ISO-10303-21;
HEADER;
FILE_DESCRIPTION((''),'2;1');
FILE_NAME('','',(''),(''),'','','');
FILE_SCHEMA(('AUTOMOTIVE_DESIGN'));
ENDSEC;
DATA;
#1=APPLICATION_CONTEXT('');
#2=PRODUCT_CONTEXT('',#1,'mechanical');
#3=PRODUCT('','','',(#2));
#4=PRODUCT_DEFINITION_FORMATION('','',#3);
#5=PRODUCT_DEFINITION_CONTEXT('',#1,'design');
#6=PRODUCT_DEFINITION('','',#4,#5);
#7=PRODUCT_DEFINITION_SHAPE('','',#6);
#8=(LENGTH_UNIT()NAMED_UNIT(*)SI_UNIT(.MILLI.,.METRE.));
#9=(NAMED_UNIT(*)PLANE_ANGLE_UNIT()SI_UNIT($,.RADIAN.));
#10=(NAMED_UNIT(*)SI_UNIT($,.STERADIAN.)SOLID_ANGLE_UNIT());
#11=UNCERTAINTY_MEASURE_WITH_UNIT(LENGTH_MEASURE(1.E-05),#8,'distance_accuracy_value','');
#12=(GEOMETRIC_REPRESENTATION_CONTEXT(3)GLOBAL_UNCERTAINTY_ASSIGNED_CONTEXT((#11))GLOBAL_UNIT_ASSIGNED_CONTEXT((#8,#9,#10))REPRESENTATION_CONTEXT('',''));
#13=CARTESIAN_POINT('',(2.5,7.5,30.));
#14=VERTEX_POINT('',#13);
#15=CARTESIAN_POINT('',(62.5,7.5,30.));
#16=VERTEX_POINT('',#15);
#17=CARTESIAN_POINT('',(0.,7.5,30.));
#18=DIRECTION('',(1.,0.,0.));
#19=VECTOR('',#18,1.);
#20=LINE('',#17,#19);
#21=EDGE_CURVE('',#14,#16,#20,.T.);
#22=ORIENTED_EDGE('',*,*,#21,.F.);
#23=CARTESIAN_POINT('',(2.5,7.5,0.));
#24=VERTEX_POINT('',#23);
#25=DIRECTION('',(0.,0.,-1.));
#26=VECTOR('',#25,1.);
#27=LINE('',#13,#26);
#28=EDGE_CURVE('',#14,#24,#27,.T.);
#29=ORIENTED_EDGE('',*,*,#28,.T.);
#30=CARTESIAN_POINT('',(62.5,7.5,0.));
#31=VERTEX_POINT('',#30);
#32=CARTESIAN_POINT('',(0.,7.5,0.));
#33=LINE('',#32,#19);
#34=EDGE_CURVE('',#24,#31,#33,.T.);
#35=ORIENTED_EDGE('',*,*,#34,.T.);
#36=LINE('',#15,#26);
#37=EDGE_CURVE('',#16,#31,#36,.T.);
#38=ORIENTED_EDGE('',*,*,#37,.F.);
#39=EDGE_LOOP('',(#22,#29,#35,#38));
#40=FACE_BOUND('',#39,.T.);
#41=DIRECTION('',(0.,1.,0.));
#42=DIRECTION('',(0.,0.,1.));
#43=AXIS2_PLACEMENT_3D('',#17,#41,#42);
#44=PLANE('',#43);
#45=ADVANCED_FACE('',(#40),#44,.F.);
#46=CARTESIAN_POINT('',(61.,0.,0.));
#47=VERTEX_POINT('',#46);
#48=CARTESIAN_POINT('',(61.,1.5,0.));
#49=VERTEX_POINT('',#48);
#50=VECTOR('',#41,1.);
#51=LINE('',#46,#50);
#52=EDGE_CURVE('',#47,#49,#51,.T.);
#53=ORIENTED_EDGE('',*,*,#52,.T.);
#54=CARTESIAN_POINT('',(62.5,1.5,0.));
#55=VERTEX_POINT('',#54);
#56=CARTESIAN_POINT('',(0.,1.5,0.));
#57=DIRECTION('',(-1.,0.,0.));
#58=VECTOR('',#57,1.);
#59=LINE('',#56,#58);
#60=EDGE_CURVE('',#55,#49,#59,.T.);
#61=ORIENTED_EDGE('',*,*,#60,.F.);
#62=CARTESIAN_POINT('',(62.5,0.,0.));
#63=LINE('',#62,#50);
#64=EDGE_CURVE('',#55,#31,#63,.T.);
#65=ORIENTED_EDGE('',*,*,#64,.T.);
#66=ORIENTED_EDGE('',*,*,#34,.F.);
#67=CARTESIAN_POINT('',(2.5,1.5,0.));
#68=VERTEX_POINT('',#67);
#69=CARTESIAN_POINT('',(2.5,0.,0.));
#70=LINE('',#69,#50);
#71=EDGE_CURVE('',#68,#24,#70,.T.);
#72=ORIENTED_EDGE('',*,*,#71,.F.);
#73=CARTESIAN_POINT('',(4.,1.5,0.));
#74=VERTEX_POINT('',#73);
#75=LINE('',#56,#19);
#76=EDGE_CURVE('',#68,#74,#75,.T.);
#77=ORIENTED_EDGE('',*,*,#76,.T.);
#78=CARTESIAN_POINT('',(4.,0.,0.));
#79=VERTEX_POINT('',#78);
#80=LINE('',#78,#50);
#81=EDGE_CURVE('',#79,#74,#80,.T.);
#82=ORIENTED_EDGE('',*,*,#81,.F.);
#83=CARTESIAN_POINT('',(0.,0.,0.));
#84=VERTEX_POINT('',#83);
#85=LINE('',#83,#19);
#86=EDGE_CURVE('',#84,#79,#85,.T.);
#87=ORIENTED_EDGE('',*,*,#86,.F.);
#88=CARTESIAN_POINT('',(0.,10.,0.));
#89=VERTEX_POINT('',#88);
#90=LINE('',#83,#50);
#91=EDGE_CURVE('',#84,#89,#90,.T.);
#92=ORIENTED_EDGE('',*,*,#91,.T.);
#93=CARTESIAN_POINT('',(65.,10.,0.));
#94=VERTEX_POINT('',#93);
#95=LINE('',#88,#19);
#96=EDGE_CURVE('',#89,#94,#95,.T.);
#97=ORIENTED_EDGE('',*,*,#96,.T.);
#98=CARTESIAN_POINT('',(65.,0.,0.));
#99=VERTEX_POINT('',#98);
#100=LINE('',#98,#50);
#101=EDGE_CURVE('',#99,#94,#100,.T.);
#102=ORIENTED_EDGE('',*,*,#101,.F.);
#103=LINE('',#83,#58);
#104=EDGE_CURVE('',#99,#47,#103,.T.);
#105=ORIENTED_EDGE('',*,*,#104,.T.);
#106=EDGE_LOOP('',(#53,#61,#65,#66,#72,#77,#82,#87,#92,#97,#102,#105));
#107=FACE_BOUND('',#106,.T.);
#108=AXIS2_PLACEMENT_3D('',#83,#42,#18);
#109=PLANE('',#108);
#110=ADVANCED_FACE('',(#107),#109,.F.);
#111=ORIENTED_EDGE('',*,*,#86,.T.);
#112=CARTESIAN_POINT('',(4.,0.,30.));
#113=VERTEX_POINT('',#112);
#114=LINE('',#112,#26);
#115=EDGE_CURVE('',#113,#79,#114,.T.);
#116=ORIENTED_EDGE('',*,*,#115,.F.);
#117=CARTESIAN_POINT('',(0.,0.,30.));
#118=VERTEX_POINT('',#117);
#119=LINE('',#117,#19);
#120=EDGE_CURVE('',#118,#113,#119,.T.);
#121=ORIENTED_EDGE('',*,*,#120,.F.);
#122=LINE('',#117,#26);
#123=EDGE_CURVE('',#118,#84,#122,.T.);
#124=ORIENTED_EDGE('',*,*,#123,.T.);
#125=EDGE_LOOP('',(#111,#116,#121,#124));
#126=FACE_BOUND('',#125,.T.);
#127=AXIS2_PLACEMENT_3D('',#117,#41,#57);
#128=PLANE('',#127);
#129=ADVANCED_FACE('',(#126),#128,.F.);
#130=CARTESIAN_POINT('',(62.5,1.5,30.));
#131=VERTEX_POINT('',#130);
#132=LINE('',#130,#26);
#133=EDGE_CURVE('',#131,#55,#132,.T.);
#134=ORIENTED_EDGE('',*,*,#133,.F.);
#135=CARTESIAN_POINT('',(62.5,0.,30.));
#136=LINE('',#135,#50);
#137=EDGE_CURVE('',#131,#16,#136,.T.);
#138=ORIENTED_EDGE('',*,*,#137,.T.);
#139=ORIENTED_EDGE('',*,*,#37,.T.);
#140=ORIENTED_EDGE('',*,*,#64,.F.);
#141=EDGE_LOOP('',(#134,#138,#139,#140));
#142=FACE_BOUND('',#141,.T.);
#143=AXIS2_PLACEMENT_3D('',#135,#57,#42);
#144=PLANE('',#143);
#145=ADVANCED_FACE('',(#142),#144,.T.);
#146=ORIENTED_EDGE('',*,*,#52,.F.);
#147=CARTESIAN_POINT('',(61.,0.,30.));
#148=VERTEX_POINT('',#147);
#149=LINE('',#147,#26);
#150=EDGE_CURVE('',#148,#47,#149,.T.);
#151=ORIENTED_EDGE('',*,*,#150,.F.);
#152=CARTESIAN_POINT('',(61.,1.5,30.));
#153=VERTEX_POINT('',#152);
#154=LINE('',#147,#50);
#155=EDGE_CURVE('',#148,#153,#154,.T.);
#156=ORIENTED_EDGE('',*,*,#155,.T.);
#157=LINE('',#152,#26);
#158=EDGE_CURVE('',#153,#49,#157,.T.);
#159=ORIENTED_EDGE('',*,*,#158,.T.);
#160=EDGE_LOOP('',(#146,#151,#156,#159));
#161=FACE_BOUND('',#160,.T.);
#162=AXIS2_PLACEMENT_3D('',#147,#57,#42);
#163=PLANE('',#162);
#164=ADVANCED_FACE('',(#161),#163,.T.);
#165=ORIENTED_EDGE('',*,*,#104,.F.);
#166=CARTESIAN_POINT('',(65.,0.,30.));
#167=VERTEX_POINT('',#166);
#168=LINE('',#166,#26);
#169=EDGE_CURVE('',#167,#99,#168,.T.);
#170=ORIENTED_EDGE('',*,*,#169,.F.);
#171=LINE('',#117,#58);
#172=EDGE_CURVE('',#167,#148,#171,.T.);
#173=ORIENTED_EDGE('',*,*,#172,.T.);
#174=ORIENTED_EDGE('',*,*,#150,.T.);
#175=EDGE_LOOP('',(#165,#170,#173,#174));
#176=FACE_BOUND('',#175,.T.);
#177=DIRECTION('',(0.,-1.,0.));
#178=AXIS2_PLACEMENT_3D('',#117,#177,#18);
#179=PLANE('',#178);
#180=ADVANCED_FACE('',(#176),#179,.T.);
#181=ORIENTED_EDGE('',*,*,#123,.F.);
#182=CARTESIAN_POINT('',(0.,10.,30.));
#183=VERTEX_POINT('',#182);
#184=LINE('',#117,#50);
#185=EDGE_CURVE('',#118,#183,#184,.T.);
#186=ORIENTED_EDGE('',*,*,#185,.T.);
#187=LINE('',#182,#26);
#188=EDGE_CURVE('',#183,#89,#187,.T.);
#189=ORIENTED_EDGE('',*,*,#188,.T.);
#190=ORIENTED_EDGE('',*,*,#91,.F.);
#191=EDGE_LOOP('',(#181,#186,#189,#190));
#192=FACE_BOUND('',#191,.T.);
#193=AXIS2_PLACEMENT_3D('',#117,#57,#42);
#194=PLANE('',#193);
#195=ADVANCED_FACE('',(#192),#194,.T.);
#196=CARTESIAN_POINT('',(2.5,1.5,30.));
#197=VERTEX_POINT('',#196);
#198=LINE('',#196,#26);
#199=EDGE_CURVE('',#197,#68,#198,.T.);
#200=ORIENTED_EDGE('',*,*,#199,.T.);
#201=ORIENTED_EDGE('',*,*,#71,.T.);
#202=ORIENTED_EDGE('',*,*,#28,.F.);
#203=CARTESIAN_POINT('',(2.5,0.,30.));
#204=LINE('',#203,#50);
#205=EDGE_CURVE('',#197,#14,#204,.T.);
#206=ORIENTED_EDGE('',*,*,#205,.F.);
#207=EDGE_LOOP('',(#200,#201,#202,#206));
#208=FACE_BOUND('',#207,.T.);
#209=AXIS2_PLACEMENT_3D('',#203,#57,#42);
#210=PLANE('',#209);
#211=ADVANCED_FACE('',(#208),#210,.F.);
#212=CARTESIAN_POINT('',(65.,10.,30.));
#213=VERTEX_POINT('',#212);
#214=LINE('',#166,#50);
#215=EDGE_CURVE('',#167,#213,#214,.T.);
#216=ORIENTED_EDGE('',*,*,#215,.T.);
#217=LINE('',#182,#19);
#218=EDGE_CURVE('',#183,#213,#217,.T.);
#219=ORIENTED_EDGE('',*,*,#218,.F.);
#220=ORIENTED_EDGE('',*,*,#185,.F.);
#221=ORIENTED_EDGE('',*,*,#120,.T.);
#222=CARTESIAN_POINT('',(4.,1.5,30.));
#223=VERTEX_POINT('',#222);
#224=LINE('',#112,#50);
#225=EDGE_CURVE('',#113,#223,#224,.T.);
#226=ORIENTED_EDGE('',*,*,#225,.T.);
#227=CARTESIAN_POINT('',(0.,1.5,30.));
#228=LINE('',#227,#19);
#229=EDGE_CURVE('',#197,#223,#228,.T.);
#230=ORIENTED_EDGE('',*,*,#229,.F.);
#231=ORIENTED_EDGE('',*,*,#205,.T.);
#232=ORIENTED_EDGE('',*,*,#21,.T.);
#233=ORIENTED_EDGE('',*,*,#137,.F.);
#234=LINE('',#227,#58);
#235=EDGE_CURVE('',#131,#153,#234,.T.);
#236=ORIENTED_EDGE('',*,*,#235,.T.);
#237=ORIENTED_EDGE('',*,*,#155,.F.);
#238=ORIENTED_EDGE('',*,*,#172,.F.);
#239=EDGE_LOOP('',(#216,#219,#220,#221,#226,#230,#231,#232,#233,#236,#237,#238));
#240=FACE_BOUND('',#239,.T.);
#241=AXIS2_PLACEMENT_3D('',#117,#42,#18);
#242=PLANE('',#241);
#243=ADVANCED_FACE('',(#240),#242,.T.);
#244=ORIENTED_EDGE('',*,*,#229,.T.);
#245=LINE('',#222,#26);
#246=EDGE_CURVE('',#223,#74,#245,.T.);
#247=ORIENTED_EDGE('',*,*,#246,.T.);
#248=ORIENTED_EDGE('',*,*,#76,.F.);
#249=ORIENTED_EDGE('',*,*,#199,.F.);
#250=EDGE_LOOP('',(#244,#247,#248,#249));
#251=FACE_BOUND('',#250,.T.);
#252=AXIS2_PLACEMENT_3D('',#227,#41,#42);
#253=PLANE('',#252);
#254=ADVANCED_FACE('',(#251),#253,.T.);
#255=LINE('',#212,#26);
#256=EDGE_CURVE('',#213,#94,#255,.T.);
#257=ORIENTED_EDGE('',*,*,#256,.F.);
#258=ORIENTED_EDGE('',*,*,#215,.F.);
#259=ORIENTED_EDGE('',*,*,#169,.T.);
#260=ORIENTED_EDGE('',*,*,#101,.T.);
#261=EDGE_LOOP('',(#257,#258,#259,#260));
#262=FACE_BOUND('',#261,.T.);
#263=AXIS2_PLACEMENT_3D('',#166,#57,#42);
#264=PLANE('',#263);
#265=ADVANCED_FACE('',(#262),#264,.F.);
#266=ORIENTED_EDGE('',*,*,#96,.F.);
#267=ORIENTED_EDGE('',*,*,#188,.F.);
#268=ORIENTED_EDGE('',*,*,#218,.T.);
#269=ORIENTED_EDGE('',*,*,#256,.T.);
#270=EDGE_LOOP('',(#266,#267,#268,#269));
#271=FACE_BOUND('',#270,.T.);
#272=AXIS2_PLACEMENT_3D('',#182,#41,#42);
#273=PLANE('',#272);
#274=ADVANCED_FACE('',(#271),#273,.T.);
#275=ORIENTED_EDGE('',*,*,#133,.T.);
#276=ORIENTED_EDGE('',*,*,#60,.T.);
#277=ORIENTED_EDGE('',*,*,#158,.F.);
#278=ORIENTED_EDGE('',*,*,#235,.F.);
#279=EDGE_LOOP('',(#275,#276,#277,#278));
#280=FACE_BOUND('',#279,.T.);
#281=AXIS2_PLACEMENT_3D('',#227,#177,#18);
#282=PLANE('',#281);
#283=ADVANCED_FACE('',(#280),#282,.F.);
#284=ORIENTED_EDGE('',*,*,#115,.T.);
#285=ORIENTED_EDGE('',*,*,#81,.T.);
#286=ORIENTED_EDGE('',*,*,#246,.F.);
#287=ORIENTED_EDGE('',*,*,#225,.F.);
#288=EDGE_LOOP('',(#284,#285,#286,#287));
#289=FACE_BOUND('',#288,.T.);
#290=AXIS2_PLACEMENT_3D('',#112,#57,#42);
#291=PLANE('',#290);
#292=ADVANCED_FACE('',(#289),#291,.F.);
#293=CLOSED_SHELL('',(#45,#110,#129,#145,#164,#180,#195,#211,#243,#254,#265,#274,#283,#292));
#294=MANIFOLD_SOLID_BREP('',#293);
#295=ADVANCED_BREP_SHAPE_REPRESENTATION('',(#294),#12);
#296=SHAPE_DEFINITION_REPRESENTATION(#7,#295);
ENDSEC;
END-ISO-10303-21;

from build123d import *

# Parameters (mm, degrees)
EXTRUDE_1_DEPTH = 30


with BuildPart() as part:
    # 스케치1 → 보스-돌출1 (new body)
    with BuildSketch(Plane.XY):
        Polygon((2.5, 7.5), (28.063202842, 7.5), (37.280706614, 7.5), (62.5, 7.5), (62.5, 1.5), (61, 1.5), (61, 0), (65, 0), (65, 1.5), (65, 10), (0, 10), (0, 1.5), (0, 0), (4, 0), (4, 1.5), (2.5, 1.5), align=None)
    extrude(amount=EXTRUDE_1_DEPTH)


solid = part.part
